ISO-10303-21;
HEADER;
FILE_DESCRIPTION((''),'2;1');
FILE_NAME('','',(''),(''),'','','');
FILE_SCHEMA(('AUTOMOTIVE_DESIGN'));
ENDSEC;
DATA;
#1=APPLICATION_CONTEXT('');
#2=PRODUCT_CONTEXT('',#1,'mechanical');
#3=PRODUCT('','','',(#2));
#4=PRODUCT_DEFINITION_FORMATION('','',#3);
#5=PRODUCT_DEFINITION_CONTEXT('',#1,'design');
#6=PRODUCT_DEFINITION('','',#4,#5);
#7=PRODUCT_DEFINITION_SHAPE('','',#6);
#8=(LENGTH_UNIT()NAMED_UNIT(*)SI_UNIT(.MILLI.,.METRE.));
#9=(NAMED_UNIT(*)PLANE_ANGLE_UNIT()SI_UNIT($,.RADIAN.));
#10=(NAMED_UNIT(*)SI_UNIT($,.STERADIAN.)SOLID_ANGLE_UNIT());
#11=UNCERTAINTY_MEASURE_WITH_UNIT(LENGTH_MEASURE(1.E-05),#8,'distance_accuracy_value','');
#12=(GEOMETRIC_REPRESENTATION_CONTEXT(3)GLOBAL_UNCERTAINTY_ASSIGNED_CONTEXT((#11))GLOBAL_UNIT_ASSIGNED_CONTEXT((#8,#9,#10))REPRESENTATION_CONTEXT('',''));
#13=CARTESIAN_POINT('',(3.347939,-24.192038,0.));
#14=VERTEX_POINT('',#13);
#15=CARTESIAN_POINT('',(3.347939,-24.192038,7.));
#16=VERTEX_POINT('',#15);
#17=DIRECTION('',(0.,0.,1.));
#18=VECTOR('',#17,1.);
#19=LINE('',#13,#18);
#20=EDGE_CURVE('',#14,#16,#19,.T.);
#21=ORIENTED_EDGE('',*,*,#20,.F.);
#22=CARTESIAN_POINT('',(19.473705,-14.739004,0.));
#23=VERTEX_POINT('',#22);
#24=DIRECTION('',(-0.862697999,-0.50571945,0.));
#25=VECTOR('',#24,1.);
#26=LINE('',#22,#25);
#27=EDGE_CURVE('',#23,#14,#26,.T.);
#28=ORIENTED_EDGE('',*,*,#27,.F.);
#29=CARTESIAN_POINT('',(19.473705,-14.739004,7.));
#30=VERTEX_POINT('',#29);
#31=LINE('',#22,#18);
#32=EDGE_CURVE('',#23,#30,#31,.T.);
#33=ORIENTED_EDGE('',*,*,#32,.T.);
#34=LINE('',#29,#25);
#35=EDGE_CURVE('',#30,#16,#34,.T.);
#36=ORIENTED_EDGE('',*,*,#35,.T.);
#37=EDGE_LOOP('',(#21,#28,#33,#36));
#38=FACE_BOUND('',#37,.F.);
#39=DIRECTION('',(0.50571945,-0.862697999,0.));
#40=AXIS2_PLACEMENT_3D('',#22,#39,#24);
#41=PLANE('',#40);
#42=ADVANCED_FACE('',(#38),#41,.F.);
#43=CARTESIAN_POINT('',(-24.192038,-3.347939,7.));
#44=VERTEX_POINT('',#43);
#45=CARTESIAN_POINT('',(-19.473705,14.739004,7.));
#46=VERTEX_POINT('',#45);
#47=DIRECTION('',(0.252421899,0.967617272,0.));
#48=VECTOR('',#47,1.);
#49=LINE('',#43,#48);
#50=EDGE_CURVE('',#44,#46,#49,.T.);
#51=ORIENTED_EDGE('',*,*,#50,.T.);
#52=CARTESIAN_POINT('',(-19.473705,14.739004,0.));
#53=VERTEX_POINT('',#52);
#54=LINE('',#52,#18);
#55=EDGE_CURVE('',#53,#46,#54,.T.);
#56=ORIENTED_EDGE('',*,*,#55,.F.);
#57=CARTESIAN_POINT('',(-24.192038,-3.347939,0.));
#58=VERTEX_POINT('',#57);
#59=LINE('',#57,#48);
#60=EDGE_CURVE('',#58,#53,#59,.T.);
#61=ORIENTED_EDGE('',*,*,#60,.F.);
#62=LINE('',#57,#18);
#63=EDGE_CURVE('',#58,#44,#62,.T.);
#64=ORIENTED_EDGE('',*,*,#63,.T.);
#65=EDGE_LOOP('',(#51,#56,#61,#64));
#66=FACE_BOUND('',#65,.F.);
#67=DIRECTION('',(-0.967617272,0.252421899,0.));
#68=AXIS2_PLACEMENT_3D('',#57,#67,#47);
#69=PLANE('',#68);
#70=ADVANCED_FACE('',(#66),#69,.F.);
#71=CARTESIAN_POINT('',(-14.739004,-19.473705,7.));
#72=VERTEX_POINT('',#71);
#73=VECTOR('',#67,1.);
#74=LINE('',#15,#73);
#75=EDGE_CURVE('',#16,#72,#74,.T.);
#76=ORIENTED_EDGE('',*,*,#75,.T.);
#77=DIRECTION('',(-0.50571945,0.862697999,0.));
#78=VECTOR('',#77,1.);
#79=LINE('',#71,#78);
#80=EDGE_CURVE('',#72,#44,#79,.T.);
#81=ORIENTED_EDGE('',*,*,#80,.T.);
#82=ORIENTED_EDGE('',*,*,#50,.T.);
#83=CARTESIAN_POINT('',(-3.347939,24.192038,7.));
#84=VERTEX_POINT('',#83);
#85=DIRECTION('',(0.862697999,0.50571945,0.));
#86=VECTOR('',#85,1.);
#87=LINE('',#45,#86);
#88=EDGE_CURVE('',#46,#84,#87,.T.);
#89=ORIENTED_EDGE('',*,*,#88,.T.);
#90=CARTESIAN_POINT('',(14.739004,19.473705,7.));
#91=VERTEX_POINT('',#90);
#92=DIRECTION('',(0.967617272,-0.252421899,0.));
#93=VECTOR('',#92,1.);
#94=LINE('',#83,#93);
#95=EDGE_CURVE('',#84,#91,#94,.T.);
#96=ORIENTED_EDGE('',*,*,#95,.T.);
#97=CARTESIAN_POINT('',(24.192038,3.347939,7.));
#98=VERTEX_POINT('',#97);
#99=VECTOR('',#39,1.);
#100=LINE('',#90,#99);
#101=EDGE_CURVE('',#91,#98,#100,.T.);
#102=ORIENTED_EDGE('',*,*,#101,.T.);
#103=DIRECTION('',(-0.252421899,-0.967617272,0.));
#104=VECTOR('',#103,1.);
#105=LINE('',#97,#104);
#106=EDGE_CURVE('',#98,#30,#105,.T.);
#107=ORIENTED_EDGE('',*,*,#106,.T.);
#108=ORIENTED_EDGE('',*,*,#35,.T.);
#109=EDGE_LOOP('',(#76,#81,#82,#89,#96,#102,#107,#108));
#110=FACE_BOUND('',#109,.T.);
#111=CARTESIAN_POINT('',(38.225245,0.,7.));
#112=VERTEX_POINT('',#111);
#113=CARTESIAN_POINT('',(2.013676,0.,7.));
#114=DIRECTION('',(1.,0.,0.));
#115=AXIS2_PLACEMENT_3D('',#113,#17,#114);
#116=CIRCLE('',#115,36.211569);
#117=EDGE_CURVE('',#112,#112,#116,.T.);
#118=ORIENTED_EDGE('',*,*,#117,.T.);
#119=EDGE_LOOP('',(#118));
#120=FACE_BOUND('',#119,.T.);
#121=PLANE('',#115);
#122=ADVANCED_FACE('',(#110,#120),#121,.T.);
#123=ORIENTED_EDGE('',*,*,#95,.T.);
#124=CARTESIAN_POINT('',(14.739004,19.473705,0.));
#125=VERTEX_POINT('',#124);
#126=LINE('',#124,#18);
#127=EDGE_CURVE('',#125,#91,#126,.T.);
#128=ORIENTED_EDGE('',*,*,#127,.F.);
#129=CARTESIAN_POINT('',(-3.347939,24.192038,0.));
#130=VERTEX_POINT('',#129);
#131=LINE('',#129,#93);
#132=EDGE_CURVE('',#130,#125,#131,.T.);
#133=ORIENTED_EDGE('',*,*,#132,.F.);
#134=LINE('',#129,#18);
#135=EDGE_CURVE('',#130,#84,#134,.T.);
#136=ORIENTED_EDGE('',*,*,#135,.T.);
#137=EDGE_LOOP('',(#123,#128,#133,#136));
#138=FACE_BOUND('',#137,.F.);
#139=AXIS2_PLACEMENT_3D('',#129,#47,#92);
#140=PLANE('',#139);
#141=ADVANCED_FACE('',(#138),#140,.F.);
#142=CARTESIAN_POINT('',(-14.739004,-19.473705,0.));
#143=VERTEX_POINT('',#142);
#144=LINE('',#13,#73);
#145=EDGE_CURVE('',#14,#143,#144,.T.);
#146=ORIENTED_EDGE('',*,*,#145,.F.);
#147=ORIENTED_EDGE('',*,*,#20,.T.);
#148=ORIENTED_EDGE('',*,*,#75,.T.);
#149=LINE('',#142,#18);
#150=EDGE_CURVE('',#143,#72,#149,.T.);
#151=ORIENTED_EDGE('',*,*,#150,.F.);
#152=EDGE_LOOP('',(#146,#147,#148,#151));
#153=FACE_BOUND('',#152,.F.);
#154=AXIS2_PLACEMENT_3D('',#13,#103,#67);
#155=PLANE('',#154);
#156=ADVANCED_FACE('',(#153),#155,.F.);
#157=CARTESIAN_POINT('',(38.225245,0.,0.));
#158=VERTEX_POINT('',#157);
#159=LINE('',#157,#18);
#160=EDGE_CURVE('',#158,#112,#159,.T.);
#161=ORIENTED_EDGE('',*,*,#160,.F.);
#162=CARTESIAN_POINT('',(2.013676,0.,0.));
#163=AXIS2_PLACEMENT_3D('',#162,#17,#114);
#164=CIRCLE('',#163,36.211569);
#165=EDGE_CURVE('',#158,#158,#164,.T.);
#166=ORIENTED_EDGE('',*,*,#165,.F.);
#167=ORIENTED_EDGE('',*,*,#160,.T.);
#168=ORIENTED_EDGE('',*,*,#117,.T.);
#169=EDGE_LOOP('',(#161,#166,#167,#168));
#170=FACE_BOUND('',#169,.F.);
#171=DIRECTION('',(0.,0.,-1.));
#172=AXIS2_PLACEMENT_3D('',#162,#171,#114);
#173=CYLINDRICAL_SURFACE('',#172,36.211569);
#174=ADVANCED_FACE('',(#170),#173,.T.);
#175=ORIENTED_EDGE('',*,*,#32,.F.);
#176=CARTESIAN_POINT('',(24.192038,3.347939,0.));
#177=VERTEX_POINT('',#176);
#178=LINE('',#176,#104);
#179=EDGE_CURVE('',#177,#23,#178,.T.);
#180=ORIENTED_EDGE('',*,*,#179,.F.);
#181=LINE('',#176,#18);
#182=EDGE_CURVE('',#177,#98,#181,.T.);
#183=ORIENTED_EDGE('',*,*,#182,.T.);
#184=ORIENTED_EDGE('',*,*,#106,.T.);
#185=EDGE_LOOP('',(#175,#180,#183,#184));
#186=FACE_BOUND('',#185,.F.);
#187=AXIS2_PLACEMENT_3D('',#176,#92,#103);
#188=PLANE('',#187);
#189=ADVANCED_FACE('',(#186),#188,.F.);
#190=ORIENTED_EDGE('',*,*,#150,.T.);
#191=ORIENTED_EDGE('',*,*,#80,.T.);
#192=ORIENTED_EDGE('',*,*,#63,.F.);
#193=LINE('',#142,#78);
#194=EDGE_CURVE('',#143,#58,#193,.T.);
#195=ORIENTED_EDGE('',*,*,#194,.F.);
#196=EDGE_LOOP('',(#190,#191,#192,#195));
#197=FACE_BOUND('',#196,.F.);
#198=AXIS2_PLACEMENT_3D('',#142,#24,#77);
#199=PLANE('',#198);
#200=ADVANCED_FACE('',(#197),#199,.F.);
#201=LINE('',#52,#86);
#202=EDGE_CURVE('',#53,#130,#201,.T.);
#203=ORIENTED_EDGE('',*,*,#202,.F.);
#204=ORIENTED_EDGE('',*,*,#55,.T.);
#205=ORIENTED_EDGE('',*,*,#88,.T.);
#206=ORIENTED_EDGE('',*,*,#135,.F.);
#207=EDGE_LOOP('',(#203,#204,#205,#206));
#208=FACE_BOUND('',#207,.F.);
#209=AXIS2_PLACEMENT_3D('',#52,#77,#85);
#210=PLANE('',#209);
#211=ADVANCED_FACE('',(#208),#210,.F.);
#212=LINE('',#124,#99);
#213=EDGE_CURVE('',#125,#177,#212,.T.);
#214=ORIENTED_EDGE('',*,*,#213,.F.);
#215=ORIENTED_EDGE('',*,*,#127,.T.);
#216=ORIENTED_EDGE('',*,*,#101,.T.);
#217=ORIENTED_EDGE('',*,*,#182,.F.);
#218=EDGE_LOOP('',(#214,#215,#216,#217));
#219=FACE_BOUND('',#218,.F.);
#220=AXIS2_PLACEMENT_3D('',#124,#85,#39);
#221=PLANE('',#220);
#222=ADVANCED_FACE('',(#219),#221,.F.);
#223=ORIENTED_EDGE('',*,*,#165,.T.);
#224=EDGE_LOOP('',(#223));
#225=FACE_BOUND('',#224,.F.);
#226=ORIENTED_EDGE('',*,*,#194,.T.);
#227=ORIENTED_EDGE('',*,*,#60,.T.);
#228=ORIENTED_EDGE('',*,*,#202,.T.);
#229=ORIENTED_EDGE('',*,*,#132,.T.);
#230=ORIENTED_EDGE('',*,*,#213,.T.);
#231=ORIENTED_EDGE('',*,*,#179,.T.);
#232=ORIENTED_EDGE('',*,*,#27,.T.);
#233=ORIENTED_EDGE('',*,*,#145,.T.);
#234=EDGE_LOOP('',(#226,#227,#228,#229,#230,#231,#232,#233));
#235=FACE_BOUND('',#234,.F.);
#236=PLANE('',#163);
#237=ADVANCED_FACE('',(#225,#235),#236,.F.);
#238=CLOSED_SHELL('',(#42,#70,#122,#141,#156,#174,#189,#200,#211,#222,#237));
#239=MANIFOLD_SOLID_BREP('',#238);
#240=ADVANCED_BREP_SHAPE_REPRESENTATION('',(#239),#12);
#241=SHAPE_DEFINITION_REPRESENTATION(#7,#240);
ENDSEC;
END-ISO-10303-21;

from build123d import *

# Parameters (mm, degrees)
F0_R     = 36.211569
F1_DEPTH = 7


with BuildPart() as f1:
    # F0 (on Top) → F1 (new body)
    with BuildSketch(Plane.XY):
        with Locations((2.013676, 0)):
            Circle(F0_R)
        Polygon((3.347939, -24.192038), (-14.739004, -19.473705), (-24.192038, -3.347939), (-19.473705, 14.739004), (-3.347939, 24.192038), (14.739004, 19.473705), (24.192038, 3.347939), (19.473705, -14.739004), align=None, mode=Mode.SUBTRACT)
    extrude(amount=F1_DEPTH)


solid = f1.part
